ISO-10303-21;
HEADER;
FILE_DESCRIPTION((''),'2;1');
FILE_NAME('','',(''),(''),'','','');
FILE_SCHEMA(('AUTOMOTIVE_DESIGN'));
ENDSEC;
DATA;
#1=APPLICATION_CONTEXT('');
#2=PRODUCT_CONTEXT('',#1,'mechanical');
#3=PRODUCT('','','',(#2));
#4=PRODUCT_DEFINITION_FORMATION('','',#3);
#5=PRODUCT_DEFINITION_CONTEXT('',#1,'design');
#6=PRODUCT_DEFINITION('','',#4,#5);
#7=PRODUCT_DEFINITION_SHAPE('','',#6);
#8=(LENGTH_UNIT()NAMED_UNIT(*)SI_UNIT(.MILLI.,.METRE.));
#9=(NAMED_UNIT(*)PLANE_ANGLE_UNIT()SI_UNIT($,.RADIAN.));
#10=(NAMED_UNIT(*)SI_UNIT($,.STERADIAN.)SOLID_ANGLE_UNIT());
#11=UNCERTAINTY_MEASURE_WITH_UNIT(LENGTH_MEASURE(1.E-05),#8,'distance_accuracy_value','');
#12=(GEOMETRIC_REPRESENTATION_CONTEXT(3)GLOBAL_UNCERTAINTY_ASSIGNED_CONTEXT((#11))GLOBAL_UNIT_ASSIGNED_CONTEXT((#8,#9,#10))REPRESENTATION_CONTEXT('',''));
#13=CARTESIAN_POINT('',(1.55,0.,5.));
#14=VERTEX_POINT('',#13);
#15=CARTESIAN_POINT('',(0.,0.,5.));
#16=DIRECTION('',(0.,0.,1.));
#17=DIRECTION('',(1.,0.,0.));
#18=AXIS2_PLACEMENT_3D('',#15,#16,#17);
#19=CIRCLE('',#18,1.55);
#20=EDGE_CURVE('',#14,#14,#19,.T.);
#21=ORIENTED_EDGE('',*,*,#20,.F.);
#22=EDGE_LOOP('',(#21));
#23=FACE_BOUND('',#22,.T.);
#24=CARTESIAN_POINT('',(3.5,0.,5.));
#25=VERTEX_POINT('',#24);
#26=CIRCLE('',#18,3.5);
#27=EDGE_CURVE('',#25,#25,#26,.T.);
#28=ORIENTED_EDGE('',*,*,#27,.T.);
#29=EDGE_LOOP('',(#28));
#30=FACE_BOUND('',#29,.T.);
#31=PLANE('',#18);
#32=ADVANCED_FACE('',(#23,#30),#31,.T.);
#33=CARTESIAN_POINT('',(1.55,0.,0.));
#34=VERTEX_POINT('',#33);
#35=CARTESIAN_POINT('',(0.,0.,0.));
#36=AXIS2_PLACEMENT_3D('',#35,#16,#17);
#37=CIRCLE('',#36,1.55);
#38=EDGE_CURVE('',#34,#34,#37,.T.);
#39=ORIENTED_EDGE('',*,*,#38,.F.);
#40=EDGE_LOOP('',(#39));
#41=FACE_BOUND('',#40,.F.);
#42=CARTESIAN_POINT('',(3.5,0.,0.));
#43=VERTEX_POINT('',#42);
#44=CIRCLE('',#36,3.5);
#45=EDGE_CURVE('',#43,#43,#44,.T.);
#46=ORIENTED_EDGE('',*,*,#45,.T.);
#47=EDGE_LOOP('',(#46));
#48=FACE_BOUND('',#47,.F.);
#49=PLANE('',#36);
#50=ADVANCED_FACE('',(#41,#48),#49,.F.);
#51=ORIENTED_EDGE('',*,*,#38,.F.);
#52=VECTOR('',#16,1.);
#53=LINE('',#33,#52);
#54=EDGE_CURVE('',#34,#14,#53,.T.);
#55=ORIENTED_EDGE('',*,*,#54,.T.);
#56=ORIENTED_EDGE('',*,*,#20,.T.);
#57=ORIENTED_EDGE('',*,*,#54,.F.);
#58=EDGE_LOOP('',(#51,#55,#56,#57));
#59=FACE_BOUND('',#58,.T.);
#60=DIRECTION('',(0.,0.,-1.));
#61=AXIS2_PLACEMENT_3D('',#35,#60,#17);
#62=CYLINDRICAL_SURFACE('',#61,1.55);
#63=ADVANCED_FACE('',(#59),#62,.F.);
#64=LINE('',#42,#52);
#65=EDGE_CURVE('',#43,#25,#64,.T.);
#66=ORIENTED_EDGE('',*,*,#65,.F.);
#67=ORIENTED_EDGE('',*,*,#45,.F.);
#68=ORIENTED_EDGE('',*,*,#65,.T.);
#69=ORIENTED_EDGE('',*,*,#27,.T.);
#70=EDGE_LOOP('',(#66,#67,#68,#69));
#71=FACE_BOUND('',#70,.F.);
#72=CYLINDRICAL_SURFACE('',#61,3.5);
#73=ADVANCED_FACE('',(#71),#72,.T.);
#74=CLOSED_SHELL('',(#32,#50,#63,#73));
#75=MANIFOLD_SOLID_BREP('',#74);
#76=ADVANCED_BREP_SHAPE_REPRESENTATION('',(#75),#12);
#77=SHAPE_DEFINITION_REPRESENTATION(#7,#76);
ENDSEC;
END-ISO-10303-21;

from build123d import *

# Parameters (mm, degrees)
SKETCH_R   = 3.5
SKETCH_R_2 = 1.55
PAD_DEPTH  = 5


with BuildPart() as part:
    # Sketch → Pad (new body)
    with BuildSketch(Plane.XY):
        Circle(SKETCH_R)
        Circle(SKETCH_R_2, mode=Mode.SUBTRACT)
    extrude(amount=PAD_DEPTH)


solid = part.part
